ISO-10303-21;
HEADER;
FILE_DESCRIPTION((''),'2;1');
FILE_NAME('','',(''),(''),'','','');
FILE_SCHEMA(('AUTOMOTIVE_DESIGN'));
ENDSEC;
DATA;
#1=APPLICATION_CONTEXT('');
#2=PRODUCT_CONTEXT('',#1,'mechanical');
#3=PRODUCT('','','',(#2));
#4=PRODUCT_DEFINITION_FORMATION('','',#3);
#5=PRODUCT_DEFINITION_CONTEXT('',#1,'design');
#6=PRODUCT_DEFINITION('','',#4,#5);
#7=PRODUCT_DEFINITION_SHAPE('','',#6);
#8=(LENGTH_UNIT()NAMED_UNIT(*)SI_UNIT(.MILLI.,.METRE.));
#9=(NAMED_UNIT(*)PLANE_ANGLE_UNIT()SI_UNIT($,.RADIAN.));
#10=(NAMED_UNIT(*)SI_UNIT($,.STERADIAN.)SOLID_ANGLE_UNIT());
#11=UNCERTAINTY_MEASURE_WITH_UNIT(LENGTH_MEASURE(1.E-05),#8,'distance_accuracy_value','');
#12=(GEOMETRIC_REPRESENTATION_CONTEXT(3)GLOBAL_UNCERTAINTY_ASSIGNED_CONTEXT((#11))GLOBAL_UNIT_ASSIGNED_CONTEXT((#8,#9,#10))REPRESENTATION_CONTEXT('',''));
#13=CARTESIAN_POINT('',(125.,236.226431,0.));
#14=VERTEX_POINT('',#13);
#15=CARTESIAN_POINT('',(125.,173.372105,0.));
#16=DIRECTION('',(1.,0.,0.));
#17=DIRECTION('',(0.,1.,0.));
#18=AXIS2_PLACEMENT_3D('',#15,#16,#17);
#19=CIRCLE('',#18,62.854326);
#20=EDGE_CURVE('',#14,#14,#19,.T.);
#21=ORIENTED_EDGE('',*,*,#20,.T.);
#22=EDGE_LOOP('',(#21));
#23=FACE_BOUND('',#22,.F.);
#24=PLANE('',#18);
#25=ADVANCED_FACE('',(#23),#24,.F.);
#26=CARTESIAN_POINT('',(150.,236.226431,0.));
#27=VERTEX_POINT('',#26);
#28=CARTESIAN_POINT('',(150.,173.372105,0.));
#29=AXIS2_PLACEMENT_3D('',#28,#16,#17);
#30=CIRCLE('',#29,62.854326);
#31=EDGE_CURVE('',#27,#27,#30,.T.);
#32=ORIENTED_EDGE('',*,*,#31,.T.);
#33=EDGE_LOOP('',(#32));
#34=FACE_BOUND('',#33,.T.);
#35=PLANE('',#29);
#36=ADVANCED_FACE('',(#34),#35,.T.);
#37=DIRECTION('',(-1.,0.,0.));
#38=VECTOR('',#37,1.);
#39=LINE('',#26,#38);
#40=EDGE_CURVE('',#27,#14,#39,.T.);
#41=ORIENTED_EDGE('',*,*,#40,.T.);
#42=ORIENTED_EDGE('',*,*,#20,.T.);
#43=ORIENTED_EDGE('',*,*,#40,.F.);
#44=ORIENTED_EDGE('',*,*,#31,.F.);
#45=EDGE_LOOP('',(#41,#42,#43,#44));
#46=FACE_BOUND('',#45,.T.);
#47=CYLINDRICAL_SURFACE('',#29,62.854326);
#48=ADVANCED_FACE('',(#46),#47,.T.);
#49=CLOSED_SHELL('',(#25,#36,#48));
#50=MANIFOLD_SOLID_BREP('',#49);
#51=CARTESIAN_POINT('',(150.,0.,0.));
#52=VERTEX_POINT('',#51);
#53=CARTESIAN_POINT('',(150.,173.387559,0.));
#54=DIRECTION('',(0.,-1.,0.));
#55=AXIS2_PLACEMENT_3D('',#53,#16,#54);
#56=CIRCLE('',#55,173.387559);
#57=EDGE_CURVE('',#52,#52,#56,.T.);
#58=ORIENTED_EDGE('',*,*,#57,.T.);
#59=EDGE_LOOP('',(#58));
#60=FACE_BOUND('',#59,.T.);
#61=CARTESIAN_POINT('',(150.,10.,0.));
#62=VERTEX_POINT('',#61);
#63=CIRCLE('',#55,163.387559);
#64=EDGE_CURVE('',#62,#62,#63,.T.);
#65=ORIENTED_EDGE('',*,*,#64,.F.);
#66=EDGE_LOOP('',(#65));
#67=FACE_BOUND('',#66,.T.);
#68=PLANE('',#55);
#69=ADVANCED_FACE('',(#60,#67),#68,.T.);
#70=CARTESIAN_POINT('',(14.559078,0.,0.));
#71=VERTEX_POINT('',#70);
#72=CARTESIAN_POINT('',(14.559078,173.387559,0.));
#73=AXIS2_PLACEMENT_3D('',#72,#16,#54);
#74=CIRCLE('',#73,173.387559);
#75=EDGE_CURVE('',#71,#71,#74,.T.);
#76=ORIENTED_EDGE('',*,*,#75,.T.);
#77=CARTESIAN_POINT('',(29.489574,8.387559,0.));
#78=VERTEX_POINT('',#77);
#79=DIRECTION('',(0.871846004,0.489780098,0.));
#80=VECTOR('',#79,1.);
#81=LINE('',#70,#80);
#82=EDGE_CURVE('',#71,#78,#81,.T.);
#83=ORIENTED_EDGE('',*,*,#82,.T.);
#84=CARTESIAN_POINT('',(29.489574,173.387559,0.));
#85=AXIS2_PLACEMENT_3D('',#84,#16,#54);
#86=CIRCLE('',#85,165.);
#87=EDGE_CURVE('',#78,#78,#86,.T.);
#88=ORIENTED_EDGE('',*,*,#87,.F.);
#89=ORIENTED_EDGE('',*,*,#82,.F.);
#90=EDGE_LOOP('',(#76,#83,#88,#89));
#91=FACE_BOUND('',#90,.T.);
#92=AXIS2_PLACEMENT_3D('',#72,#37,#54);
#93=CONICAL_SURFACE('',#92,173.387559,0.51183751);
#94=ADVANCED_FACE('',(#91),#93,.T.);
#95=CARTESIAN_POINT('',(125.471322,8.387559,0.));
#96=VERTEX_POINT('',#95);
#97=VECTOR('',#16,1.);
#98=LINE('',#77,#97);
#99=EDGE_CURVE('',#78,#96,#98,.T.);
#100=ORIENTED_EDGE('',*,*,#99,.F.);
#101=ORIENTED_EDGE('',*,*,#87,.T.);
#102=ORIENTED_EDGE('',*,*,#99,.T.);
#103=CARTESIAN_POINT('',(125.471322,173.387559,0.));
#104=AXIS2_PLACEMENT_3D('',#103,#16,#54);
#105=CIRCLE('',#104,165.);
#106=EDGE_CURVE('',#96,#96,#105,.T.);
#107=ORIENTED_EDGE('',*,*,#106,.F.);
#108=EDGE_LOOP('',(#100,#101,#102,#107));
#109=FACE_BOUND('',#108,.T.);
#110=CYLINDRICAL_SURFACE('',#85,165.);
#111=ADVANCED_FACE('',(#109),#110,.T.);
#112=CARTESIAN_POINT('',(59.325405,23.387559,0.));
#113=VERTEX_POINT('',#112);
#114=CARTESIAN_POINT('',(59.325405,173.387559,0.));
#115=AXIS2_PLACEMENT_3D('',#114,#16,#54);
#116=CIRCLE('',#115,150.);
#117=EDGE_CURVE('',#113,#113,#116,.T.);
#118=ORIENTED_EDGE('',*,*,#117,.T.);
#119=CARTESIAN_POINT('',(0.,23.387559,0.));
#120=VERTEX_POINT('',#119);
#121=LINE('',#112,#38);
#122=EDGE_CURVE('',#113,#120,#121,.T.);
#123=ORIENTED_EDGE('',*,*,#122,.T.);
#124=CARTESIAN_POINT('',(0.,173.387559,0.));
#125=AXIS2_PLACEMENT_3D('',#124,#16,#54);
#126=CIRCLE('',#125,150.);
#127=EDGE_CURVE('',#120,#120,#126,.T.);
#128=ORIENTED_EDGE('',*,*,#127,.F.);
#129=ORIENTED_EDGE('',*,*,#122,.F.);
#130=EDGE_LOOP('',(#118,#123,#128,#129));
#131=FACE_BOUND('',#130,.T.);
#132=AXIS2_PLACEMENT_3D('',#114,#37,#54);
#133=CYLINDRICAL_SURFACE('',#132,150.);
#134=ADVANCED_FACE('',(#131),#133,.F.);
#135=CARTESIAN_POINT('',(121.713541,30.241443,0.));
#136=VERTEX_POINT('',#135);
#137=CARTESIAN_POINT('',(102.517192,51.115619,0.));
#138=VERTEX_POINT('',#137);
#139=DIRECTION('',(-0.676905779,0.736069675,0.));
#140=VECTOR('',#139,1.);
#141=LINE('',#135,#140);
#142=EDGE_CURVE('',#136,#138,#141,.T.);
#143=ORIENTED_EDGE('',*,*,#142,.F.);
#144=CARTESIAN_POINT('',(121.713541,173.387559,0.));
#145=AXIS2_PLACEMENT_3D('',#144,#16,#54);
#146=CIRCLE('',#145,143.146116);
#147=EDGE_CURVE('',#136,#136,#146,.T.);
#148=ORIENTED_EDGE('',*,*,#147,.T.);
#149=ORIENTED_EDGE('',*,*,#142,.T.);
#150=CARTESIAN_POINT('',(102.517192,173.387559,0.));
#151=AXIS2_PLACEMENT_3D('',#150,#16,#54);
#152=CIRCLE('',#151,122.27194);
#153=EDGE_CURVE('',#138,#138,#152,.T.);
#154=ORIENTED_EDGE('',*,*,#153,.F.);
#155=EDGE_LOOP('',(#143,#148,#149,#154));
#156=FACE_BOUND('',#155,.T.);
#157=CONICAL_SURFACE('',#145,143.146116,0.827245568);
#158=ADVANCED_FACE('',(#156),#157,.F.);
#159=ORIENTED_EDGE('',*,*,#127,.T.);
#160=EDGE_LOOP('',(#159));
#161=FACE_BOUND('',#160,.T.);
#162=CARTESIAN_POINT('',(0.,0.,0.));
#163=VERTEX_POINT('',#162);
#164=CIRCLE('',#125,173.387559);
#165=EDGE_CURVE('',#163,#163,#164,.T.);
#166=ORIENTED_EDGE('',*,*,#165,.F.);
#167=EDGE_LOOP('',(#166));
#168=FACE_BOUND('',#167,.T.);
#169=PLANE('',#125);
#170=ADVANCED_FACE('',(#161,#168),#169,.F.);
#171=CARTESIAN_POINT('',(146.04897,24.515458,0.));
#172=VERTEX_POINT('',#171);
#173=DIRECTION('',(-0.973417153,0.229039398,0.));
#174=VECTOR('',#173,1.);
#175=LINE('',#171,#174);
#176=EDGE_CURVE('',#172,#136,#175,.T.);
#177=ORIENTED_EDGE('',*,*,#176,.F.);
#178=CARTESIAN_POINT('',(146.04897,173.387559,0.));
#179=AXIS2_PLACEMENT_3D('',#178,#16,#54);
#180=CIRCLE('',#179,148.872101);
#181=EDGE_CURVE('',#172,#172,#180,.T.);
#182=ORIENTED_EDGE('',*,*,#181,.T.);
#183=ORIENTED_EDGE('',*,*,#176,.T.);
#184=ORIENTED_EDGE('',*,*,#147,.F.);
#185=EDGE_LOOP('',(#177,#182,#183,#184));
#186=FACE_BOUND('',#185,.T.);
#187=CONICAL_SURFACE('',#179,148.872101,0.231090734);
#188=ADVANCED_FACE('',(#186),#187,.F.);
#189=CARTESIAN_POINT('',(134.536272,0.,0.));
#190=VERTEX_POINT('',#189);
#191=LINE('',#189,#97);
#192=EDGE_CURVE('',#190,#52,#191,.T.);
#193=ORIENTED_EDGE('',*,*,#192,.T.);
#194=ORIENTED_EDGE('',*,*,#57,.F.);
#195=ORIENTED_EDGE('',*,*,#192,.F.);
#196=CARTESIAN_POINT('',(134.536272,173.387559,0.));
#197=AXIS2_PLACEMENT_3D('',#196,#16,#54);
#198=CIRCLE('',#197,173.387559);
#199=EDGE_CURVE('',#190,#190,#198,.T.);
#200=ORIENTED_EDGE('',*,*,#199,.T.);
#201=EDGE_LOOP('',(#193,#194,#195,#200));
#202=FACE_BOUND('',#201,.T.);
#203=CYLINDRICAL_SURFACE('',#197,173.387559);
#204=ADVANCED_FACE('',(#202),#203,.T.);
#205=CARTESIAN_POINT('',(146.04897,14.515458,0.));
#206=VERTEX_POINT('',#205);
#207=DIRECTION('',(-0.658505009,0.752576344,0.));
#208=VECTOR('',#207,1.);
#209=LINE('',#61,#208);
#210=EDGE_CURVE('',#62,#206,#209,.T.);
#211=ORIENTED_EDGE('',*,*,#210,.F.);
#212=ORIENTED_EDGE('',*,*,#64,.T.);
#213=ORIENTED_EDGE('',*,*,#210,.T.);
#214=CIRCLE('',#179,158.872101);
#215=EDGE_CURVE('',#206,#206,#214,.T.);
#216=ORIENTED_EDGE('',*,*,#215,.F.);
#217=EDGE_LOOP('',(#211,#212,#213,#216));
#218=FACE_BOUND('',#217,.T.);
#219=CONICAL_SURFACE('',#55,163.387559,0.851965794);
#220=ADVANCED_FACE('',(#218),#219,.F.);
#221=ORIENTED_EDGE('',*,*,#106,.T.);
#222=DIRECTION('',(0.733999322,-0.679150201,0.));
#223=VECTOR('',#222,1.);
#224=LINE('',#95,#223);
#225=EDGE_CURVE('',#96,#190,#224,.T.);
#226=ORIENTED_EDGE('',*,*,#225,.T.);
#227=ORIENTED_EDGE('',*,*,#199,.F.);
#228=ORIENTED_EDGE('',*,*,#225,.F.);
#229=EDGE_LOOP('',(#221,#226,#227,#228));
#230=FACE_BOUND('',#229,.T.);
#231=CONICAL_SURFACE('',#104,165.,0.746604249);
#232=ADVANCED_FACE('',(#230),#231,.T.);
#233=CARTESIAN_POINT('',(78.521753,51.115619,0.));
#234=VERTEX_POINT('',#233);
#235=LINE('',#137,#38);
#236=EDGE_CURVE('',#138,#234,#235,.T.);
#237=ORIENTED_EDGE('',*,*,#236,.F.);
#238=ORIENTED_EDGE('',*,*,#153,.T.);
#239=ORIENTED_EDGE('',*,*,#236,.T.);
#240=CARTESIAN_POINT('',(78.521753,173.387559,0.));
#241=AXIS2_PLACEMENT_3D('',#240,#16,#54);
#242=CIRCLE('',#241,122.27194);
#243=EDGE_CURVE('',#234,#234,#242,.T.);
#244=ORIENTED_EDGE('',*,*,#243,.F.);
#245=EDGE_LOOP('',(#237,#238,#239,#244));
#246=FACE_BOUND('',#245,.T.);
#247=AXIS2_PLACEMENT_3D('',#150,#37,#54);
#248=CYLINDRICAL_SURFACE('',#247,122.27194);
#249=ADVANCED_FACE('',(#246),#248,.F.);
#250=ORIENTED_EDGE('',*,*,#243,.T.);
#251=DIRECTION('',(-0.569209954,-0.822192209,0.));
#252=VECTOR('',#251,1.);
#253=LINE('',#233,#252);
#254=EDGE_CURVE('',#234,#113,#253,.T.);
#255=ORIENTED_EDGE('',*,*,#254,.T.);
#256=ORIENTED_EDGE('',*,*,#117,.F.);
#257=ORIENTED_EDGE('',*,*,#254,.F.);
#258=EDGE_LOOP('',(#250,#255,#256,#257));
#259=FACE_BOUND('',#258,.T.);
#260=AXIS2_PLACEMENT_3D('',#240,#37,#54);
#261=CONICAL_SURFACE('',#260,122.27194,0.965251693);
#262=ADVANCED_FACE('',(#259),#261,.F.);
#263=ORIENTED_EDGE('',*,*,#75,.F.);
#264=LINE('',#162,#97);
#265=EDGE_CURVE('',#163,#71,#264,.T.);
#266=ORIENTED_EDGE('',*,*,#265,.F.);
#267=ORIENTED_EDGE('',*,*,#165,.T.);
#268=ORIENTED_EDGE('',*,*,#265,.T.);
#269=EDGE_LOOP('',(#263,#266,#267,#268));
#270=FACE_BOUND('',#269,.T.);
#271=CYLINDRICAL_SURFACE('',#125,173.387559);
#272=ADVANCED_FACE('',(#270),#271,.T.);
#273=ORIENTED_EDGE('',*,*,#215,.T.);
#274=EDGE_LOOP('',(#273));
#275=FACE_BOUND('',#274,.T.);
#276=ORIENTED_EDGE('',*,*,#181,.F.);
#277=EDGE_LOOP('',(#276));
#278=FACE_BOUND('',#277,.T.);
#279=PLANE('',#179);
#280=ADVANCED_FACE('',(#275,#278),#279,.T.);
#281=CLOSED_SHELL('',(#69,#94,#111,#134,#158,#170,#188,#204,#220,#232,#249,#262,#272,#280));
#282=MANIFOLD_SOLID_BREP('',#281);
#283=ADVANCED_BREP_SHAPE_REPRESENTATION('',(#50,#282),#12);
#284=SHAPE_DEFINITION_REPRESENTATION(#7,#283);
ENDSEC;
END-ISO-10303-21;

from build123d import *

# Parameters (mm, degrees)
F4_R     = 62.854326
F5_DEPTH = 25


with BuildPart() as f2:
    # F0 (on Top) → F2 (revolve)
    with BuildSketch(Plane.XY):
        Polygon((0, 23.387559), (0, 0), (14.559078, 0), (29.489574, 8.387559), (125.471322, 8.387559), (134.536272, 0), (150, 0), (150, 10), (146.04897, 14.515458), (146.04897, 24.515458), (121.713541, 30.241443), (102.517192, 51.115619), (78.521753, 51.115619), (59.325405, 23.387559), align=None)
    revolve(axis=Axis((85.476985, 173.387559, 0), (1, 0, 0)))


with BuildPart() as f5:
    # F4 (on face) → F5 (new body)
    with BuildSketch(Plane.YZ.offset(150)):
        with Locations((173.372105, 0)):
            Circle(F4_R)
    extrude(amount=-F5_DEPTH)


solid = Compound([f2.part, f5.part])
